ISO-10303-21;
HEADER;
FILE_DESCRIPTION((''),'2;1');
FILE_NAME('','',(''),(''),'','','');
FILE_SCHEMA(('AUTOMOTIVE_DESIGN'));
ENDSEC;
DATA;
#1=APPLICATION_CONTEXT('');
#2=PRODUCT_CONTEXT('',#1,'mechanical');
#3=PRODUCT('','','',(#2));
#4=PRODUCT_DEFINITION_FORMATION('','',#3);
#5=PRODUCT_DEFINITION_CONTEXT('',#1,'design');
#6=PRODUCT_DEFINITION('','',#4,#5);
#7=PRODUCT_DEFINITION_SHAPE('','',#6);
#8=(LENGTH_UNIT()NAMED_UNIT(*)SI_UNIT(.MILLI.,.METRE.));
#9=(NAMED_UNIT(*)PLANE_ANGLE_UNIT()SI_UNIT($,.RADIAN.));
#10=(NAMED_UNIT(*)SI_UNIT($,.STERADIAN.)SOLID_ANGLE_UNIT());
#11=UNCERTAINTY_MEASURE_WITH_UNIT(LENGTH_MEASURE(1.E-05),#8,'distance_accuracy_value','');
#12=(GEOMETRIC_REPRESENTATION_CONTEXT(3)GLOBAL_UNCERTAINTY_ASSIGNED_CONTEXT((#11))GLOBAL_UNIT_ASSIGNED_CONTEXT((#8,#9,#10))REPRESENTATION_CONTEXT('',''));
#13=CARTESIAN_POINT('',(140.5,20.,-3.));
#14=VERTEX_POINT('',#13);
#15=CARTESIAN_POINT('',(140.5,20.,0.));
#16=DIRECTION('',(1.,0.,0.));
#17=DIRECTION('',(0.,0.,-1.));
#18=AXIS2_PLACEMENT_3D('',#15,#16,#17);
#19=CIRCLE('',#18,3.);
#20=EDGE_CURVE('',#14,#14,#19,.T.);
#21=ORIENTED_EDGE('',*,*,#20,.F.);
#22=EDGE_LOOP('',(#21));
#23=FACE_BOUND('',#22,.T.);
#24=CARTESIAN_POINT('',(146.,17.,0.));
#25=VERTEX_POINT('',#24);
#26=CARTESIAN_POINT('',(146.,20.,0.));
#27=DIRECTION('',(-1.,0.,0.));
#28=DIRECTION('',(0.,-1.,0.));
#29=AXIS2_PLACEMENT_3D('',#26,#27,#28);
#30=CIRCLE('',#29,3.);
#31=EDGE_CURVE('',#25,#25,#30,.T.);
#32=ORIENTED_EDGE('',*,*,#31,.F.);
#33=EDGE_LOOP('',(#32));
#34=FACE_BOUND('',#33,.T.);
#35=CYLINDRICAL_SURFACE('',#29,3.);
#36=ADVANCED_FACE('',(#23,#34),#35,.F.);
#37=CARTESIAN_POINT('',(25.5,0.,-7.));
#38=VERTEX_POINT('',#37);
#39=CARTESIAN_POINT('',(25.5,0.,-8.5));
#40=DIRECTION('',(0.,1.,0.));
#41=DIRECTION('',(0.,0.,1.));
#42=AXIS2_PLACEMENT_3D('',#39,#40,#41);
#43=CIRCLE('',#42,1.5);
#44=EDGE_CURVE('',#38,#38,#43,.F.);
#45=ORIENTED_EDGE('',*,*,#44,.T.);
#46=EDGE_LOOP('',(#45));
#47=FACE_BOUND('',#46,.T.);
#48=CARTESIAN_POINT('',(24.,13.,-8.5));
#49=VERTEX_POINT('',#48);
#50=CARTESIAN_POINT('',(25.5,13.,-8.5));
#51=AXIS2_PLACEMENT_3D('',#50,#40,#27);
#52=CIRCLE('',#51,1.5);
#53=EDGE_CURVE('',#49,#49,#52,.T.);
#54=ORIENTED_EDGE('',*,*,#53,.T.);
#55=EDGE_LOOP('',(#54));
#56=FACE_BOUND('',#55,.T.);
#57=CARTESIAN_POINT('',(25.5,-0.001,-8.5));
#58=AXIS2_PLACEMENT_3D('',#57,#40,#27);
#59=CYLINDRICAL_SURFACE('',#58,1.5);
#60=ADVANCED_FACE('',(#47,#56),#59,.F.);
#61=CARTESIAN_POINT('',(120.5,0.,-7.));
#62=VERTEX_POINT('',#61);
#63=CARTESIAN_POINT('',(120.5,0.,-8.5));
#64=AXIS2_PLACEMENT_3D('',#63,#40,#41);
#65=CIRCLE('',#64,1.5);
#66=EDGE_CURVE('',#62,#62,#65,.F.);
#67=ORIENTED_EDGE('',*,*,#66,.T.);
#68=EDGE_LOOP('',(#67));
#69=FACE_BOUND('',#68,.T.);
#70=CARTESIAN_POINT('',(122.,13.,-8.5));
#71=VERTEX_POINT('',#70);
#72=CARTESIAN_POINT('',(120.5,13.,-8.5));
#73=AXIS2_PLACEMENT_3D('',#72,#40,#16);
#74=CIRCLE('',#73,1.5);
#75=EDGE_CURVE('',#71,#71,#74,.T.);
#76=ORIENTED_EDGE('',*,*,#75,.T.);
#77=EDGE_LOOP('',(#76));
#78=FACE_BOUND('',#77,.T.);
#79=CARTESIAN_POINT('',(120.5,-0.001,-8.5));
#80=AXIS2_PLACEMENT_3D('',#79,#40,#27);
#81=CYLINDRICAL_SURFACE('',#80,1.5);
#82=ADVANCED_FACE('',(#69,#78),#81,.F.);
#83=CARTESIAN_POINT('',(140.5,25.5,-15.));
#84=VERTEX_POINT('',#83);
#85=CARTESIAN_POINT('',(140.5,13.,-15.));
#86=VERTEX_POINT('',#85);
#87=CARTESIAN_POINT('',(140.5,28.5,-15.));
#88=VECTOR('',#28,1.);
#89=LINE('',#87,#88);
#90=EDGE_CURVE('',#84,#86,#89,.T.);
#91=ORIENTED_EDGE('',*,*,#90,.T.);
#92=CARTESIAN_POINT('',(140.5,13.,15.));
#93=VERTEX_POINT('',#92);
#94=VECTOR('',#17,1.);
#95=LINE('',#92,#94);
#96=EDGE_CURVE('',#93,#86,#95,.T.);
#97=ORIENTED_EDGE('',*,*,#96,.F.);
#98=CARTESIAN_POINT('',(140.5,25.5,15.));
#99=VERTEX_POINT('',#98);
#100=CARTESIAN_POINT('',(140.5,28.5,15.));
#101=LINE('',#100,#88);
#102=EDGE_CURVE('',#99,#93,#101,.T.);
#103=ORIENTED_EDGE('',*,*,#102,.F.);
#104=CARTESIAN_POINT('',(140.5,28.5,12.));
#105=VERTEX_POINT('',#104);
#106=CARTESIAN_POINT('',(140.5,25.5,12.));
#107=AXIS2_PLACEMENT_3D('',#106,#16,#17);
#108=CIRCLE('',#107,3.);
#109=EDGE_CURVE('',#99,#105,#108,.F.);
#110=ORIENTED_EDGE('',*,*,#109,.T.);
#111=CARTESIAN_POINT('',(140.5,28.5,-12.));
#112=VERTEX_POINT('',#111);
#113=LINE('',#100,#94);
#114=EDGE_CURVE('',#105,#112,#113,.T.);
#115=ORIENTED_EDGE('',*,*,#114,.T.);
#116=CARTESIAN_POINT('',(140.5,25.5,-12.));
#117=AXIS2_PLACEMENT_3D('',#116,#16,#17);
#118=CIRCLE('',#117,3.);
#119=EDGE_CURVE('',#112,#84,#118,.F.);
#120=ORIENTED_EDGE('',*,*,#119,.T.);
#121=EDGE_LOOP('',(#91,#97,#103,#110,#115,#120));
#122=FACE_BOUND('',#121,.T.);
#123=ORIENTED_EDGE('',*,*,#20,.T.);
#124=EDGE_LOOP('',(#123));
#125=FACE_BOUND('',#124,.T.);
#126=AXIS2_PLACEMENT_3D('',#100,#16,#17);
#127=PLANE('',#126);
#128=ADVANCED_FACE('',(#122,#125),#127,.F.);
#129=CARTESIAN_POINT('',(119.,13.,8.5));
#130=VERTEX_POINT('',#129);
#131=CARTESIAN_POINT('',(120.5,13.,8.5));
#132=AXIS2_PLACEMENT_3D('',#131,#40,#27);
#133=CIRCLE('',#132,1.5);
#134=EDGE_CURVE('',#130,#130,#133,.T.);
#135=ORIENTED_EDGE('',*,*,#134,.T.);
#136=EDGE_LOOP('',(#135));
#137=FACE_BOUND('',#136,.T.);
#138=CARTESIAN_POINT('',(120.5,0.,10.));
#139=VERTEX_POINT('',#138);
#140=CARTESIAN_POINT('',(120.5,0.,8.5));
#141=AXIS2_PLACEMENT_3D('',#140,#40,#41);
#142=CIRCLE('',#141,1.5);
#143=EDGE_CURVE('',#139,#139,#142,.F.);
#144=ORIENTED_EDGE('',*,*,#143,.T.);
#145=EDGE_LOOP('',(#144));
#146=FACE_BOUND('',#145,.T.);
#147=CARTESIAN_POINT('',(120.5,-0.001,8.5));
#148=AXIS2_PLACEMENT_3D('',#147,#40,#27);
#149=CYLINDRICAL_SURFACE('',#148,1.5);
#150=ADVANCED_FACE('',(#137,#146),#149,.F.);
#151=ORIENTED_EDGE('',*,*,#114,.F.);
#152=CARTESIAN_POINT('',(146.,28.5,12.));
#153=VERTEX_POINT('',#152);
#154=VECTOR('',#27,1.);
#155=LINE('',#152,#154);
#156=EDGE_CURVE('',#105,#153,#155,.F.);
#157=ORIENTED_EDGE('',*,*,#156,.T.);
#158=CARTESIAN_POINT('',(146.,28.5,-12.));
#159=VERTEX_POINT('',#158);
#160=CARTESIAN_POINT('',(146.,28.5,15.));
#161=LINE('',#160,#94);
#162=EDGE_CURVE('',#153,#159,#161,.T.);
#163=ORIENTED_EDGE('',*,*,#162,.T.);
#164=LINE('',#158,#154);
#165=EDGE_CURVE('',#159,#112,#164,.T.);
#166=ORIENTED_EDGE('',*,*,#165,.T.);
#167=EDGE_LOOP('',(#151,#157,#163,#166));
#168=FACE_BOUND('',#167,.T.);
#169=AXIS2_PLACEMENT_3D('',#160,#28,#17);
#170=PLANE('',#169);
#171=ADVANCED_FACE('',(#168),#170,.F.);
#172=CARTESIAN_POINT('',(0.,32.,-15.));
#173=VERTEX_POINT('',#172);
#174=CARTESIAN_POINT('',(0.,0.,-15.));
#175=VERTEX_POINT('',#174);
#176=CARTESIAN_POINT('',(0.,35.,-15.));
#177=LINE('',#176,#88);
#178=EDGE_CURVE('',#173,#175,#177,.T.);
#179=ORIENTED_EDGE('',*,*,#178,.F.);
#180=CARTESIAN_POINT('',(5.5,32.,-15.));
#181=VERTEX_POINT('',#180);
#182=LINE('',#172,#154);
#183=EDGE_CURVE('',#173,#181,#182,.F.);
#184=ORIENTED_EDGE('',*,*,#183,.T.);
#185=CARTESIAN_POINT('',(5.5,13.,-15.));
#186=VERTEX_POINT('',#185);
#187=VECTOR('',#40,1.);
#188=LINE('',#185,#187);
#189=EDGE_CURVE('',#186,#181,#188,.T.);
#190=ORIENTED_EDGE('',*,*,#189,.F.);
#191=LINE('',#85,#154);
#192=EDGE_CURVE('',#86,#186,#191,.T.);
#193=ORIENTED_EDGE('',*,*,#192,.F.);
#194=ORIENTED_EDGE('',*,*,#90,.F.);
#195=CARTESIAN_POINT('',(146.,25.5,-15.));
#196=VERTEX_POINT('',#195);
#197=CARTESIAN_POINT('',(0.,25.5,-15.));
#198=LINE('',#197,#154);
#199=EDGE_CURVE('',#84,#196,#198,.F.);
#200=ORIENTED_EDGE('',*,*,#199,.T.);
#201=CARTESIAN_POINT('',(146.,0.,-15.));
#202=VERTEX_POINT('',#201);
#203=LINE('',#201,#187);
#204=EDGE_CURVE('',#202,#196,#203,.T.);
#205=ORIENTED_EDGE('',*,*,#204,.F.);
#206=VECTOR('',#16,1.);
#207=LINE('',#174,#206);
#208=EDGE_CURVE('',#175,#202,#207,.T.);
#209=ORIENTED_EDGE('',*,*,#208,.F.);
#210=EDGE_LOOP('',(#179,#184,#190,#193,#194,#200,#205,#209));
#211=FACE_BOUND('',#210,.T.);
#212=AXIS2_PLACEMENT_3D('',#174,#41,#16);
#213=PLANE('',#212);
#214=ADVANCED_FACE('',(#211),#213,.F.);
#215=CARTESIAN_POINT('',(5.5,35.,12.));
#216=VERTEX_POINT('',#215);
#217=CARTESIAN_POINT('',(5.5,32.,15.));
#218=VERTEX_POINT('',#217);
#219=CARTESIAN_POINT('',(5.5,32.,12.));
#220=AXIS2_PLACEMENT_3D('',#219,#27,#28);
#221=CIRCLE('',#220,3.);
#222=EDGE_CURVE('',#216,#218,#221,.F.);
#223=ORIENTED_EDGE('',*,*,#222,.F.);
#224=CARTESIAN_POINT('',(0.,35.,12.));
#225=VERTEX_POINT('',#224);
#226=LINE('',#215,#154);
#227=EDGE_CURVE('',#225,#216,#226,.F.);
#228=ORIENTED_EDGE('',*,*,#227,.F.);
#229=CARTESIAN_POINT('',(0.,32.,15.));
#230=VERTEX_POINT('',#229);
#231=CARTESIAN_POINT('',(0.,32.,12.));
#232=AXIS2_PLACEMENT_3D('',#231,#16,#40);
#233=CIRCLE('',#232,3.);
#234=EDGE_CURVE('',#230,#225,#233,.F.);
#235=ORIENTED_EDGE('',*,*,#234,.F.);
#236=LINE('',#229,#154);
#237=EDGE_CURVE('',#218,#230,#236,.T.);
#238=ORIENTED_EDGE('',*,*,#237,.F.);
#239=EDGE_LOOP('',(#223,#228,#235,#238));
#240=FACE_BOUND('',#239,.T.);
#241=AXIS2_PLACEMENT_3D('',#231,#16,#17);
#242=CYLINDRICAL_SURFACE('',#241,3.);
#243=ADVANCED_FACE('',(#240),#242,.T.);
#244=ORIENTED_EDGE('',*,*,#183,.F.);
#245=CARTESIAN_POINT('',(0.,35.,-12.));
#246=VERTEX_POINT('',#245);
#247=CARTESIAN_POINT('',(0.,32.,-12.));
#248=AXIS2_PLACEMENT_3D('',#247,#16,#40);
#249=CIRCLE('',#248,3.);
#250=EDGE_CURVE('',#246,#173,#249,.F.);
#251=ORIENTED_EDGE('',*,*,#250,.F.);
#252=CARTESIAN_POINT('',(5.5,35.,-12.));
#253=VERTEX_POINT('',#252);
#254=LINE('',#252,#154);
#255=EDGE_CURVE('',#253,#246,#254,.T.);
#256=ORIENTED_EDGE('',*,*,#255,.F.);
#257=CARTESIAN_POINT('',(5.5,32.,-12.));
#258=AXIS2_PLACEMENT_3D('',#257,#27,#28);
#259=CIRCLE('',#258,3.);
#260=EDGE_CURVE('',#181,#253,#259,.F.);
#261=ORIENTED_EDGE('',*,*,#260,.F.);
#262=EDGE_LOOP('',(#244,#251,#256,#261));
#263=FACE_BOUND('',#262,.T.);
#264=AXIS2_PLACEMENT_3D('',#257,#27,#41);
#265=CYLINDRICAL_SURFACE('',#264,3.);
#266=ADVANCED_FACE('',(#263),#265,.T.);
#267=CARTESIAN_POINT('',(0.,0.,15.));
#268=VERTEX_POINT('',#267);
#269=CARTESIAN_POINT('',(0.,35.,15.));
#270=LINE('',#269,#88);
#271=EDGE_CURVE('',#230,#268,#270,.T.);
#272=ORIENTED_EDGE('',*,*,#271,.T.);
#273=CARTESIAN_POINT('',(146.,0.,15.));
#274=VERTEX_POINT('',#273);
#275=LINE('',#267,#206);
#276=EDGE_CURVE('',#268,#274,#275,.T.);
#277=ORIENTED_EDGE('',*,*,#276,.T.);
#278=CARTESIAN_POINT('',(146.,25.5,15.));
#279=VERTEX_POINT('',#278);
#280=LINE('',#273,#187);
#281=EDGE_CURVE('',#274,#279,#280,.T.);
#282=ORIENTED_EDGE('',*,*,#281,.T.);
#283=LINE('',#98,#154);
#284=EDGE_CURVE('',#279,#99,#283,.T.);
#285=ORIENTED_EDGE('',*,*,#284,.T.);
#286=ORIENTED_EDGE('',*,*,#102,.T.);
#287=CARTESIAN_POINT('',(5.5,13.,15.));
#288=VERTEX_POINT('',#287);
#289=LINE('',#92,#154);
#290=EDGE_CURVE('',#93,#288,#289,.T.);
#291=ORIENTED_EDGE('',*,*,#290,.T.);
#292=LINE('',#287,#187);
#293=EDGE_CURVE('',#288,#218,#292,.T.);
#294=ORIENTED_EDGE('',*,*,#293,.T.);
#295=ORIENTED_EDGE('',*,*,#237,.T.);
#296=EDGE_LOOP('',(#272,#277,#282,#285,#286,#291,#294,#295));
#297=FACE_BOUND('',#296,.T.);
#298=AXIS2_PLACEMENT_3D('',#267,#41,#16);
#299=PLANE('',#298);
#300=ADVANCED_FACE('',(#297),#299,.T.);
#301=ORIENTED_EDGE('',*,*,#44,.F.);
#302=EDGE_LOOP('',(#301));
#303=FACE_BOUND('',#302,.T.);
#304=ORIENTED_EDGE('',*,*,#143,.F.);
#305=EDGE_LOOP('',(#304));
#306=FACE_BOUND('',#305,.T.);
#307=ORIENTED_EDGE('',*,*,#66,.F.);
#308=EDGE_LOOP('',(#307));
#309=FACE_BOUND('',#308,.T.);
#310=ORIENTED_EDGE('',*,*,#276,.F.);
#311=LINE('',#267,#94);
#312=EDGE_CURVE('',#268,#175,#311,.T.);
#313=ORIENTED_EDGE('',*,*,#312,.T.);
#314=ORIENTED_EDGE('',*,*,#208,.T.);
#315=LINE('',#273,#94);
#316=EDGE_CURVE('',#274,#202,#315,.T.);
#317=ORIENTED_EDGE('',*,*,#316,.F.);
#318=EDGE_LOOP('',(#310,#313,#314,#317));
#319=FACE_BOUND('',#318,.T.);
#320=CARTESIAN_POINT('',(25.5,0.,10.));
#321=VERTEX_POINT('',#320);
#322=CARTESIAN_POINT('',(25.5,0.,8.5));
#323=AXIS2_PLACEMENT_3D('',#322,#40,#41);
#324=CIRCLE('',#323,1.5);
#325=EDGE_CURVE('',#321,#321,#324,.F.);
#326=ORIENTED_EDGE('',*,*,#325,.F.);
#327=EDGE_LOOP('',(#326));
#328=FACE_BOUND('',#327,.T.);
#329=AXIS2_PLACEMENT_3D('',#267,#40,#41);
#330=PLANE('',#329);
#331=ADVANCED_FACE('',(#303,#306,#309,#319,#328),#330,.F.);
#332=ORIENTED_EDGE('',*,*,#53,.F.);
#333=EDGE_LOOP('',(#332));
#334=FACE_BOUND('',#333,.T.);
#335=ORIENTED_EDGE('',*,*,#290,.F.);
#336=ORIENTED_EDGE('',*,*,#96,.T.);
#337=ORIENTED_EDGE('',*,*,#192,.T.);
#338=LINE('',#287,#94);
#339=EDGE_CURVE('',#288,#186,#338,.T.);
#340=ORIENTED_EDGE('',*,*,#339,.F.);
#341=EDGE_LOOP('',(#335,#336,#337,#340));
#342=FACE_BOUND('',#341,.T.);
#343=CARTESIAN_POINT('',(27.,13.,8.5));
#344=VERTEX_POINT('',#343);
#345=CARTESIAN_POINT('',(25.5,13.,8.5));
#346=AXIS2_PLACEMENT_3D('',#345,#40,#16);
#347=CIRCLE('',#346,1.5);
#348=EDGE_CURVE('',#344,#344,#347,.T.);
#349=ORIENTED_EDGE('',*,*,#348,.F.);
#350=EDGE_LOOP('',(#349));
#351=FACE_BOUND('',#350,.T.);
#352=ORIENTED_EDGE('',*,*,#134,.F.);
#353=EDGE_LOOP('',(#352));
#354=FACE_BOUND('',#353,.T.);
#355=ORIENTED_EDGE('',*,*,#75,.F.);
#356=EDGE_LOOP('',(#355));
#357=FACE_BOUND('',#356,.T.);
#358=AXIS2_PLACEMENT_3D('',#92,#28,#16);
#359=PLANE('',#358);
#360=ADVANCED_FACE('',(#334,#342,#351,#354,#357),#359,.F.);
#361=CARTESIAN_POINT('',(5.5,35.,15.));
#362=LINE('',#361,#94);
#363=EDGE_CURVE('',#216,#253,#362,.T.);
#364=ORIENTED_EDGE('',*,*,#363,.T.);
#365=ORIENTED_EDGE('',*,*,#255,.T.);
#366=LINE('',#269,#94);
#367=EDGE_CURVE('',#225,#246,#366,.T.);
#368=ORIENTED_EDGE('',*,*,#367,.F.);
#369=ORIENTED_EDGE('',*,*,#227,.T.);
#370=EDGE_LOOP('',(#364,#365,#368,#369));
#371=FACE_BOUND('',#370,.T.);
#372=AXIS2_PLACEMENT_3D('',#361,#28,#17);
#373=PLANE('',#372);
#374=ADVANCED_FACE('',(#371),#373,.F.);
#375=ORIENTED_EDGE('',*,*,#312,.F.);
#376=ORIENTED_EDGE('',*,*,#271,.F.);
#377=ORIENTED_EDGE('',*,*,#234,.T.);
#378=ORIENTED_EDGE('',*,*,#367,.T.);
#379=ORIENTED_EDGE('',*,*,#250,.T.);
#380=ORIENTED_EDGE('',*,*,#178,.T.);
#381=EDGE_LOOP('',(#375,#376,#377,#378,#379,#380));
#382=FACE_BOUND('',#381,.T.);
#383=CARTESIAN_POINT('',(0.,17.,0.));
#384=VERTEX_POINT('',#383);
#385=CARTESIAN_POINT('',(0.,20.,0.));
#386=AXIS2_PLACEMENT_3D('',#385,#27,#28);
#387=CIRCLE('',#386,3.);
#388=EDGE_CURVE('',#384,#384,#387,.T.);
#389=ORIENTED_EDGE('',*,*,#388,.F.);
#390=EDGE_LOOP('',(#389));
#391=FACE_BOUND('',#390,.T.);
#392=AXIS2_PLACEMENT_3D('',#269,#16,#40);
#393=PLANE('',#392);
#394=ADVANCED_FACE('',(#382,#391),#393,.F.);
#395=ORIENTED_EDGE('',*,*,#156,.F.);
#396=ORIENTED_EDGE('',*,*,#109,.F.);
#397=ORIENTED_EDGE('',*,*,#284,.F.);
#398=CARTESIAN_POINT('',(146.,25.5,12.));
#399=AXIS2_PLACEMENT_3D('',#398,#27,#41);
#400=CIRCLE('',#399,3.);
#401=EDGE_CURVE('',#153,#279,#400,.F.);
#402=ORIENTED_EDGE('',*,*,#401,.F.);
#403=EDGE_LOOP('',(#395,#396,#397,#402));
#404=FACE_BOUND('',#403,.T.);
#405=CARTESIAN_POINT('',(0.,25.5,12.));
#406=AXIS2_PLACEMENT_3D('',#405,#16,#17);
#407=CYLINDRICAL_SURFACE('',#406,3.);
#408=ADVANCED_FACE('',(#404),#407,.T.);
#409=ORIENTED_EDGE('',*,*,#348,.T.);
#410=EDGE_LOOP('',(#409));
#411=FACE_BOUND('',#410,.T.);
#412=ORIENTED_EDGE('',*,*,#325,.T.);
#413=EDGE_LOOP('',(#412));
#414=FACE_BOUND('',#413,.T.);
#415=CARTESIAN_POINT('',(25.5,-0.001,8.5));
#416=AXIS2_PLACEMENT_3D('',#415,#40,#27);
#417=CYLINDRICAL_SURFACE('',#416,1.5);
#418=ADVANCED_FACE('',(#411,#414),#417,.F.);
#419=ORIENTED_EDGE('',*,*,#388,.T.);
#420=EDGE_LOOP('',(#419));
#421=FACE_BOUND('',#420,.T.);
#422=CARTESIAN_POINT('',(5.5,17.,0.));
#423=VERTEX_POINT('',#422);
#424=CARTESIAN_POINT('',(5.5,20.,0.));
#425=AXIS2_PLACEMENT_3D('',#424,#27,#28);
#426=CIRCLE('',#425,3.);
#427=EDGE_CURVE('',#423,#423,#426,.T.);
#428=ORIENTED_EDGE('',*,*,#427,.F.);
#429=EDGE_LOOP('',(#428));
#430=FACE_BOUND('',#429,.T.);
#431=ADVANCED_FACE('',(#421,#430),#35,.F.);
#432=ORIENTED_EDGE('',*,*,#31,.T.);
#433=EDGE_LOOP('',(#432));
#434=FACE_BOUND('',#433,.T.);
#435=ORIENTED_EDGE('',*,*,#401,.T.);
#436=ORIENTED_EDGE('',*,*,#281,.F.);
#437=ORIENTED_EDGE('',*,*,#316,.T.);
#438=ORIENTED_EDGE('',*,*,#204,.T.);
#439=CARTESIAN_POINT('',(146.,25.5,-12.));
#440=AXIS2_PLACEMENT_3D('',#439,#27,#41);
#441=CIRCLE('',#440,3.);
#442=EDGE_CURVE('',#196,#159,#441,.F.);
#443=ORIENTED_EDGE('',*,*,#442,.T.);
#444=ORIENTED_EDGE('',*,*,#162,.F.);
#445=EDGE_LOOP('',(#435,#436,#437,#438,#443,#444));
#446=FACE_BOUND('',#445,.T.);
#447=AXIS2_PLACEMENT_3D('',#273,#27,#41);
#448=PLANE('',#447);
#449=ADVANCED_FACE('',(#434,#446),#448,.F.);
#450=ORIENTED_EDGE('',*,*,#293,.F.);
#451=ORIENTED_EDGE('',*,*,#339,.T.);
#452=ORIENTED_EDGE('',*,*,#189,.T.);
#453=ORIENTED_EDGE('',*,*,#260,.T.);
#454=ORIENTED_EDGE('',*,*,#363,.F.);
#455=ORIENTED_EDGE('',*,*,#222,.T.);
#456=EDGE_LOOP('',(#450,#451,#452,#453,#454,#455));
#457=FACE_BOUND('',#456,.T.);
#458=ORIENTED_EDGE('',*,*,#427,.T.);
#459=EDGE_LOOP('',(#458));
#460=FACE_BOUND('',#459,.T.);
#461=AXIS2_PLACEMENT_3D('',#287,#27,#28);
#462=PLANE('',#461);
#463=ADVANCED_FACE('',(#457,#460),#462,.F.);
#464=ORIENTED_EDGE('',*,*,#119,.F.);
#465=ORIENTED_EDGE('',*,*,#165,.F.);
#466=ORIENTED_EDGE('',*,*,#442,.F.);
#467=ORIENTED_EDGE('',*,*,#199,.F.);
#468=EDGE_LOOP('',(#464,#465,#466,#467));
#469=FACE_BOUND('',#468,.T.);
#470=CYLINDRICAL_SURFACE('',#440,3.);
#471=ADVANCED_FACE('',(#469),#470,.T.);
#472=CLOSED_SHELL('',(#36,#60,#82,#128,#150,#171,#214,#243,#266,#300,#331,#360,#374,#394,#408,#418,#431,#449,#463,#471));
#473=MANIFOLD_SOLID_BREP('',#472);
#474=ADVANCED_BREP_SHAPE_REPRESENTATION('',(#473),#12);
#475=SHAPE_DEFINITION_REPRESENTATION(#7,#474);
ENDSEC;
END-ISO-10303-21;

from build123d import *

# Parameters (mm, degrees)
EXTRUDE_1_DEPTH     = 15
CUT_EXTRUDE_1_REACH = 150.408
SKETCH_2_R          = 1.5
FILLET_2_R          = 3
SKETCH_3_R          = 3
CUT_EXTRUDE_2_DEPTH = 151.884061451


with BuildPart() as part:
    # 草图1 → 凸台-拉伸1 (new, symmetric)
    with BuildSketch(Plane.XY):
        Polygon((0, 0), (146, 0), (146, 28.5), (140.5, 28.5), (140.5, 13), (5.5, 13), (5.5, 35), (0, 35), align=None)
    extrude(amount=EXTRUDE_1_DEPTH, both=True)

    # 草图2 → 切除-拉伸1 (cut, up to next)
    with BuildSketch(Plane(origin=(0, 13, 0), x_dir=(1, 0, 0), z_dir=(0, 1, 0)), mode=Mode.PRIVATE) as cut_extrude_1_sk1:
        with Locations(Location((25.5, 8.5, 0), (0, 0, 180))):
            Circle(SKETCH_2_R)
    cut_extrude_1_tool1 = extrude(cut_extrude_1_sk1.sketch, amount=-CUT_EXTRUDE_1_REACH, mode=Mode.PRIVATE) & part.part
    # 草图2 → 切除-拉伸1 (cut, up to next)
    with BuildSketch(Plane(origin=(0, 13, 0), x_dir=(1, 0, 0), z_dir=(0, 1, 0)), mode=Mode.PRIVATE) as cut_extrude_1_sk2:
        with Locations(Location((120.5, 8.5, 0), (0, 0, 270))):
            Circle(SKETCH_2_R)
    cut_extrude_1_tool2 = extrude(cut_extrude_1_sk2.sketch, amount=-CUT_EXTRUDE_1_REACH, mode=Mode.PRIVATE) & part.part
    # 草图2 → 切除-拉伸1 (cut, up to next)
    with BuildSketch(Plane(origin=(0, 13, 0), x_dir=(1, 0, 0), z_dir=(0, 1, 0)), mode=Mode.PRIVATE) as cut_extrude_1_sk3:
        with Locations(Location((25.5, -8.5, 0), (0, 0, 270))):
            Circle(SKETCH_2_R)
    cut_extrude_1_tool3 = extrude(cut_extrude_1_sk3.sketch, amount=-CUT_EXTRUDE_1_REACH, mode=Mode.PRIVATE) & part.part
    # 草图2 → 切除-拉伸1 (cut, up to next)
    with BuildSketch(Plane(origin=(0, 13, 0), x_dir=(1, 0, 0), z_dir=(0, 1, 0)), mode=Mode.PRIVATE) as cut_extrude_1_sk4:
        with Locations(Location((120.5, -8.5, 0), (0, 0, 180))):
            Circle(SKETCH_2_R)
    cut_extrude_1_tool4 = extrude(cut_extrude_1_sk4.sketch, amount=-CUT_EXTRUDE_1_REACH, mode=Mode.PRIVATE) & part.part
    add(cut_extrude_1_tool1.solids().sort_by_distance((25.5, 13, -8.5))[0], mode=Mode.SUBTRACT)
    add(cut_extrude_1_tool2.solids().sort_by_distance((120.5, 13, -8.5))[0], mode=Mode.SUBTRACT)
    add(cut_extrude_1_tool3.solids().sort_by_distance((25.5, 13, 8.5))[0], mode=Mode.SUBTRACT)
    add(cut_extrude_1_tool4.solids().sort_by_distance((120.5, 13, 8.5))[0], mode=Mode.SUBTRACT)

    # 圆角2
    fillet_2_edges = [part.edges().sort_by_distance(p)[0] for p in [
        (143.25, 28.5, -15),
        (143.25, 28.5, 15),
        (2.75, 35, 15),
        (2.75, 35, -15),
    ]]
    fillet(fillet_2_edges, radius=FILLET_2_R)

    # 草图3 → 切除-拉伸2 (cut, through all)
    with BuildSketch(Plane.ZY):
        with Locations(Location((0, 20, 0), (0, 0, 270))):
            Circle(SKETCH_3_R)
    extrude(amount=-CUT_EXTRUDE_2_DEPTH, mode=Mode.SUBTRACT)


solid = part.part
